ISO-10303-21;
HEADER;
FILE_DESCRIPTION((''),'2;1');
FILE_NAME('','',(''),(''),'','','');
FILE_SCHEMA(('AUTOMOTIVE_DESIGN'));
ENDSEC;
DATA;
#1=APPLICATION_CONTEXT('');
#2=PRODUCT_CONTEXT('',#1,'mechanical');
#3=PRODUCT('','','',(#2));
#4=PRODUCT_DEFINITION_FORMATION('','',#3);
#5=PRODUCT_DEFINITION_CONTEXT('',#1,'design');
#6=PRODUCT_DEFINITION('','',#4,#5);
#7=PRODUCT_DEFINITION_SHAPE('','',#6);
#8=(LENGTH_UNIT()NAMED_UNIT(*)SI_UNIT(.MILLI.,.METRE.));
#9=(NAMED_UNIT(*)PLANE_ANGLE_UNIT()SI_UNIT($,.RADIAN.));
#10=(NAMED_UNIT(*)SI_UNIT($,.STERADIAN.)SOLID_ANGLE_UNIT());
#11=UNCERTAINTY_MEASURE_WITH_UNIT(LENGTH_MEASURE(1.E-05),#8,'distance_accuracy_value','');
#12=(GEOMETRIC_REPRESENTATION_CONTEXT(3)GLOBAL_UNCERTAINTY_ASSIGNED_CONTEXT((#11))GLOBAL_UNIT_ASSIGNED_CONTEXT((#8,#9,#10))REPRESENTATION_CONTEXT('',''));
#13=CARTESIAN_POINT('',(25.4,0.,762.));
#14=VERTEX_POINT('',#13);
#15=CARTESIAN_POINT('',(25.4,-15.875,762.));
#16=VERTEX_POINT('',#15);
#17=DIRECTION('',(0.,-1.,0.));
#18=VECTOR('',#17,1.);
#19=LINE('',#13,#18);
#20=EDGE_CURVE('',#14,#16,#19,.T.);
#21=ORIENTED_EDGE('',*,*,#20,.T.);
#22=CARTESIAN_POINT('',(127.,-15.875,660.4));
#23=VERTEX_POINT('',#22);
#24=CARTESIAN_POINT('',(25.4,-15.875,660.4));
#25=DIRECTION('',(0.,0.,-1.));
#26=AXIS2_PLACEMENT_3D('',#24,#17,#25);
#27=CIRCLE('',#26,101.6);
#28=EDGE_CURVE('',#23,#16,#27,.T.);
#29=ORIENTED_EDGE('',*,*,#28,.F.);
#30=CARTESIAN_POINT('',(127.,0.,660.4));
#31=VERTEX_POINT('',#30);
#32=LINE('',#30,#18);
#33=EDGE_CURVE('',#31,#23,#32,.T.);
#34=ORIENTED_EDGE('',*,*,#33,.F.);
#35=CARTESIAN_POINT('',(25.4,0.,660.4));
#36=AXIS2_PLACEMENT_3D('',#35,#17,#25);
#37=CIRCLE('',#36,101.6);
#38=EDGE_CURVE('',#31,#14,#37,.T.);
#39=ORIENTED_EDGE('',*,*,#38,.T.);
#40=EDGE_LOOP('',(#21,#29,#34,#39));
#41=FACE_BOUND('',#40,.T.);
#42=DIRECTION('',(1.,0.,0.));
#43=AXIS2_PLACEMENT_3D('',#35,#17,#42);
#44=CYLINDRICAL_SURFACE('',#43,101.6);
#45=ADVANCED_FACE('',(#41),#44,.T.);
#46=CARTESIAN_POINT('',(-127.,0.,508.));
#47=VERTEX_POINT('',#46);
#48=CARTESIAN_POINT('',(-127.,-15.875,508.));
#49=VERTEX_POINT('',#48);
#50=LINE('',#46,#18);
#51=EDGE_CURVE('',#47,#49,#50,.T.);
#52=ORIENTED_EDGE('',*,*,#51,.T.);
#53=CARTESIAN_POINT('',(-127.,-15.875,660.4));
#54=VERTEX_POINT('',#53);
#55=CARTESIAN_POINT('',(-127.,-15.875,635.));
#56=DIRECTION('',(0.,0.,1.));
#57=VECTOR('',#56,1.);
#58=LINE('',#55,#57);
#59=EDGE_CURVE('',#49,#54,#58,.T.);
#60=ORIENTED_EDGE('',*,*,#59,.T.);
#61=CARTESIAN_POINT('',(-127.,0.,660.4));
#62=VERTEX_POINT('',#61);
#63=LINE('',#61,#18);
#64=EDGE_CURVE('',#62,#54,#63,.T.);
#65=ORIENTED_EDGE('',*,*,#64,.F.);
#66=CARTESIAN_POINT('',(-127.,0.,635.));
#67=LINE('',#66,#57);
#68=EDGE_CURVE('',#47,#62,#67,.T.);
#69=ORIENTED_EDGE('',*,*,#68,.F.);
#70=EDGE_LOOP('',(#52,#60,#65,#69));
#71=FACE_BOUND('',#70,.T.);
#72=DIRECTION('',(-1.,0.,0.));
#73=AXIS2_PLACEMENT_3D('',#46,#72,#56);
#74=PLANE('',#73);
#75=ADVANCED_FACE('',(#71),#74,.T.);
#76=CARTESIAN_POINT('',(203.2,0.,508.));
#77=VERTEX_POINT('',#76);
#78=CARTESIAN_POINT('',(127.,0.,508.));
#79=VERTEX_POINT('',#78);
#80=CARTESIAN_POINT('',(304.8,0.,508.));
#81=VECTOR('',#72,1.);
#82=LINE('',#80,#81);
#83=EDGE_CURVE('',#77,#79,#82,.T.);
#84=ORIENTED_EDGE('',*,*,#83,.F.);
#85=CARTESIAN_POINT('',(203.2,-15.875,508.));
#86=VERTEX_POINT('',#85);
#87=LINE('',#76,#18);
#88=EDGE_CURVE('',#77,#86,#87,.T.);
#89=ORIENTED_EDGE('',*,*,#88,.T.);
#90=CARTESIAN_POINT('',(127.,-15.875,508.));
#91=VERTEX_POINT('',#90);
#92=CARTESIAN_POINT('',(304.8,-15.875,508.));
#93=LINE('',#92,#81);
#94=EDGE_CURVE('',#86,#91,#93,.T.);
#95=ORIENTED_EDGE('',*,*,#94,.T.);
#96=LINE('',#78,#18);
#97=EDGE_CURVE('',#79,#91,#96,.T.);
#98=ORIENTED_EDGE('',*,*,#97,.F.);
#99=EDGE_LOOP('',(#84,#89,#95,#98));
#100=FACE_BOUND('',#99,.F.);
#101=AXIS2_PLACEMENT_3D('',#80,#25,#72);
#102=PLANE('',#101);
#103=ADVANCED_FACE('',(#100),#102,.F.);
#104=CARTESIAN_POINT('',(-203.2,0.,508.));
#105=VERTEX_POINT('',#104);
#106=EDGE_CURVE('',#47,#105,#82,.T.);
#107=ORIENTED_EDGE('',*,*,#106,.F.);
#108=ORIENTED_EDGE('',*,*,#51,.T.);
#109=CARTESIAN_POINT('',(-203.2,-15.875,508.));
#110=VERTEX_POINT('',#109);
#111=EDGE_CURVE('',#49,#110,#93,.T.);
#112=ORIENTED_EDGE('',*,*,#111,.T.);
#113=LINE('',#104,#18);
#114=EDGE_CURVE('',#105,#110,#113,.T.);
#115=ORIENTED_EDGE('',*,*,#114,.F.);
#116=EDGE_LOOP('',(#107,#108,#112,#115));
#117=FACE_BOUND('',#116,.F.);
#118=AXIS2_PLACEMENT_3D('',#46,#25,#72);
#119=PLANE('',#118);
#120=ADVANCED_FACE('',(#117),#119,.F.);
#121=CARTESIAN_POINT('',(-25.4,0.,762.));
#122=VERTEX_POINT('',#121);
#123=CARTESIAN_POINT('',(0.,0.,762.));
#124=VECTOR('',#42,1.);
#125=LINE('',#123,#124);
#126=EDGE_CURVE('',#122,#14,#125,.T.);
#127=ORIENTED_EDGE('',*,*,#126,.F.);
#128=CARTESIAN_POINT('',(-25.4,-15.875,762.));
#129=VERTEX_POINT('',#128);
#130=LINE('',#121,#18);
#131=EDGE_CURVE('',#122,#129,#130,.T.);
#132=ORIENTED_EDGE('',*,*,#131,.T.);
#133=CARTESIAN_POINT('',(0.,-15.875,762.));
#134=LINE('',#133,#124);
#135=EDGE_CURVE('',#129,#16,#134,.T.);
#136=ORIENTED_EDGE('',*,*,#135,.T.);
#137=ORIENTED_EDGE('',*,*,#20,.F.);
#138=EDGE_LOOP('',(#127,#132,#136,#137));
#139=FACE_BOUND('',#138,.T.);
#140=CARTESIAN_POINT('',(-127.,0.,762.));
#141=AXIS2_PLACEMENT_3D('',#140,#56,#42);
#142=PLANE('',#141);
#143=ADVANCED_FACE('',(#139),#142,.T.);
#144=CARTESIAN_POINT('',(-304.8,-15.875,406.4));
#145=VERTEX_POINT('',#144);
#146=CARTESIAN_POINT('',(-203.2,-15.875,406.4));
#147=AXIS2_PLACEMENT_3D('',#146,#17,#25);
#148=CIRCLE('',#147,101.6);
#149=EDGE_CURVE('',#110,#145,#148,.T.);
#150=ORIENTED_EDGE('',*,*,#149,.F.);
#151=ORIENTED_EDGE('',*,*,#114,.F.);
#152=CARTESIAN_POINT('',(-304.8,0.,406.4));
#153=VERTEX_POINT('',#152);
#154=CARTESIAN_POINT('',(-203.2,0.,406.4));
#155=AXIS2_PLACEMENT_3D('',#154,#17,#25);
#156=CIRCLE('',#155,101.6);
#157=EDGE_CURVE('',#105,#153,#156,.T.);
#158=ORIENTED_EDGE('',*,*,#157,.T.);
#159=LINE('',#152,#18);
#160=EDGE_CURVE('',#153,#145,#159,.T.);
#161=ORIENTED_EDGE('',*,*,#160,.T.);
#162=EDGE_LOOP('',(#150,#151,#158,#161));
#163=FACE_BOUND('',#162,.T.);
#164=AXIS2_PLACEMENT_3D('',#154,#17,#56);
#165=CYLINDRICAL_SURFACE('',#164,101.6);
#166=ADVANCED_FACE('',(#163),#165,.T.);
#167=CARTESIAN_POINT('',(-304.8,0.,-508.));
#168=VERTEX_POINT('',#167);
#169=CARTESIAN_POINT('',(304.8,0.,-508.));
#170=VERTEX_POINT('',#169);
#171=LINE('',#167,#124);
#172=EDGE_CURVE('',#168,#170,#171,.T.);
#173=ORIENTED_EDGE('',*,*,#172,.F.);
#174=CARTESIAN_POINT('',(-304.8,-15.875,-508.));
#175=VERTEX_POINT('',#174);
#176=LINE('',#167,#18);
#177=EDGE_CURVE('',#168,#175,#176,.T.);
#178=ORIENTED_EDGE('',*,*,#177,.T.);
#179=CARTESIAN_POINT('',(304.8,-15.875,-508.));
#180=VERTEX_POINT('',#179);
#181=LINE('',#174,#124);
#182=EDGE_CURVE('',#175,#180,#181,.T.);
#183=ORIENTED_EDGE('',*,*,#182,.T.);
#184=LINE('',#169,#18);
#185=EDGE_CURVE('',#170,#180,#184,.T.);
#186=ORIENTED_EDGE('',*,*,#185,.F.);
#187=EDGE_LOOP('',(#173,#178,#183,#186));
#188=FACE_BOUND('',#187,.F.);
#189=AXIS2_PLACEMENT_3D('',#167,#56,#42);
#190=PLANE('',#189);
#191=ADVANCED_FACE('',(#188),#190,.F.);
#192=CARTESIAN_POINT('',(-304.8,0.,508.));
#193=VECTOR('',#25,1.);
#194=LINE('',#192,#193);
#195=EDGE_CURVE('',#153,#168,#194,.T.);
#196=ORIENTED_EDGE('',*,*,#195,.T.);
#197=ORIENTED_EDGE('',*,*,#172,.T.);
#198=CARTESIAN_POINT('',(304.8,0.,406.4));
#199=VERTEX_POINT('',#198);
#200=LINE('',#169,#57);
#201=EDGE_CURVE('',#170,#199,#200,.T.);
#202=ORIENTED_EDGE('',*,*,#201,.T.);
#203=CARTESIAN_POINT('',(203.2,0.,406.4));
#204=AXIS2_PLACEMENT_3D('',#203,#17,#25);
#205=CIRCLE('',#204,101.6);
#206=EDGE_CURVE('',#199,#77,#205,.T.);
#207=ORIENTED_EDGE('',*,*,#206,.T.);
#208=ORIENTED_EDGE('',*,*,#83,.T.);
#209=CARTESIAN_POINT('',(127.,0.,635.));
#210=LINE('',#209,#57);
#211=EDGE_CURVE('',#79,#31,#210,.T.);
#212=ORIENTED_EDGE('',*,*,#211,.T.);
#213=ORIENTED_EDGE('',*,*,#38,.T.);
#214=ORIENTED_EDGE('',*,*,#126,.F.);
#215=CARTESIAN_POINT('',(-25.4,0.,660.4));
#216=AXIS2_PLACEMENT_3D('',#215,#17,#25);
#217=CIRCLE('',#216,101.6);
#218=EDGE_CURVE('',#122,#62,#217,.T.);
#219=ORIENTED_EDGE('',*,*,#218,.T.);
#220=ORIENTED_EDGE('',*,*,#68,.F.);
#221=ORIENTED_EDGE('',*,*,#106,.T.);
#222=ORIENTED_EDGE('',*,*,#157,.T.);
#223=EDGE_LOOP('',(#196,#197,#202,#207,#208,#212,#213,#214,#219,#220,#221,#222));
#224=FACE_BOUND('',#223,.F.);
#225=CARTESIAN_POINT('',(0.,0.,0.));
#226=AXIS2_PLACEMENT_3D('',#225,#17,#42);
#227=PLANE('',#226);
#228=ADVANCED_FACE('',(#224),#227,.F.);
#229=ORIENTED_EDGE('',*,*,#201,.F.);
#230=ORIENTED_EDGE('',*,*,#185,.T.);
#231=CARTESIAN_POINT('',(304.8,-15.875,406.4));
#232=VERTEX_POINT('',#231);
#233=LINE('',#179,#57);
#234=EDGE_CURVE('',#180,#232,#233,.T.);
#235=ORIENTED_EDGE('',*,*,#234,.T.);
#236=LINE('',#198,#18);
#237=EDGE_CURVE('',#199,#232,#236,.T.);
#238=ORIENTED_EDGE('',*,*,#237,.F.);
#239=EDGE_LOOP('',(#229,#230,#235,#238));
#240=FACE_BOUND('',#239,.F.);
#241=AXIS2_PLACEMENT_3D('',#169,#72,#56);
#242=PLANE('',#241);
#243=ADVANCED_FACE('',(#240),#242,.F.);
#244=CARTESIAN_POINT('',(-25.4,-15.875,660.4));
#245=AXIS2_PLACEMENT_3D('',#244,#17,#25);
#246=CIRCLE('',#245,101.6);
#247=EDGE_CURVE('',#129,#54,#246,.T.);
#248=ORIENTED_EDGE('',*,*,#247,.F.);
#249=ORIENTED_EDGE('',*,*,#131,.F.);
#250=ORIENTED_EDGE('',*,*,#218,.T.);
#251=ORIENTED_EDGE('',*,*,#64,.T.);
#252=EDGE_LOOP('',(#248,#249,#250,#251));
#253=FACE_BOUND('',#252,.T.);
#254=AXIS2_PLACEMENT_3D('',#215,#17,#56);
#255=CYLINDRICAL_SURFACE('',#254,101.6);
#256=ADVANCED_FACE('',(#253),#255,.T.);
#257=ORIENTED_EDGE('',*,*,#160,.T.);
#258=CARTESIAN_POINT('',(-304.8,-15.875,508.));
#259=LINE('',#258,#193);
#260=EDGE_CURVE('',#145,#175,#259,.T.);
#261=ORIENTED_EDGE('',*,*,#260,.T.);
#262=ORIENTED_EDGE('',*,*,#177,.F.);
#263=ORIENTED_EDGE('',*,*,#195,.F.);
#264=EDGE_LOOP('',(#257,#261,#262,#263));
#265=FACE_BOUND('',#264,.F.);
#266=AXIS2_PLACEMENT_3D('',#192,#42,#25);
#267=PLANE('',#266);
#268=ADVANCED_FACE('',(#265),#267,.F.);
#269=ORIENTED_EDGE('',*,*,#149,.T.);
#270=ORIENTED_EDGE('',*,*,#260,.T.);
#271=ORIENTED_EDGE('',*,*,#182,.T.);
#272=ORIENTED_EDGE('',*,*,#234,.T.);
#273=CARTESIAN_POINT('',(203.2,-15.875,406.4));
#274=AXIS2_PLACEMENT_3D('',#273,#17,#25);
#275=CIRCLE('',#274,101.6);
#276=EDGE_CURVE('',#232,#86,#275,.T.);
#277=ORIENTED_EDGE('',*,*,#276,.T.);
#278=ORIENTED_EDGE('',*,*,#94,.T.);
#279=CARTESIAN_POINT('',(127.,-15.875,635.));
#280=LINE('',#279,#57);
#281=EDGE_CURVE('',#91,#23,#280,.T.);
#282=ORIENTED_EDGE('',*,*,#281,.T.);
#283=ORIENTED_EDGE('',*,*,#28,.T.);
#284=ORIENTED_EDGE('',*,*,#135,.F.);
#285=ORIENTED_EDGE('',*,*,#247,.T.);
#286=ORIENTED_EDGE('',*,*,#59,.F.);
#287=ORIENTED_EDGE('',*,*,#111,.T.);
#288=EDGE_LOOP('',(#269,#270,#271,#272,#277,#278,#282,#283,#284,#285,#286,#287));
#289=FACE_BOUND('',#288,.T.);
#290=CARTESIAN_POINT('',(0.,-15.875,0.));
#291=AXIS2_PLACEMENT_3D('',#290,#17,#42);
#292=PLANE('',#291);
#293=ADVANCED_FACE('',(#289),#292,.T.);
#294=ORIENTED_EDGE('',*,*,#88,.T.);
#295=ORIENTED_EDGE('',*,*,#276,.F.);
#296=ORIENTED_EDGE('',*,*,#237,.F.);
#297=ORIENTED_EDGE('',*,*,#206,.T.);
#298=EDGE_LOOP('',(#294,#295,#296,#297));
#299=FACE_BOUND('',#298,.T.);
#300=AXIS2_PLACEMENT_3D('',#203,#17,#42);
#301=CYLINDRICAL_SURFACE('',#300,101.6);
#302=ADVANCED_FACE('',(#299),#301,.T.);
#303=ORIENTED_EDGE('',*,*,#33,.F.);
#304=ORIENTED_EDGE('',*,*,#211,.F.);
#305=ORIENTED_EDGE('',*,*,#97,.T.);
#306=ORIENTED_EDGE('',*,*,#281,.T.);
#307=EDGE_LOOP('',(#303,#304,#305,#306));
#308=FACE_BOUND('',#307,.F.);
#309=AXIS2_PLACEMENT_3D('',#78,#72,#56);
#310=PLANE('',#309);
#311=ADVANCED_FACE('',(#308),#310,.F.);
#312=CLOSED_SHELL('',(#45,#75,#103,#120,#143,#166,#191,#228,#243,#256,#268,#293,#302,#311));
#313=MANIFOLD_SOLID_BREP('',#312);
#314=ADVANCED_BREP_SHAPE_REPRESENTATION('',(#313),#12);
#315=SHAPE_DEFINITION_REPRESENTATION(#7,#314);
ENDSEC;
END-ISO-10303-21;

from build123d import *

# Parameters (mm, degrees)
F0_W     = 254
F0_H     = 254
F1_DEPTH = 15.875
F2_R     = 101.6


with BuildPart() as f1:
    # F0 (on Front) → F1 (new body)
    with BuildSketch(Plane.XZ):
        Polygon((304.8, -508), (304.8, 508), (127, 508), (-127, 508), (-304.8, 508), (-304.8, -508), align=None)
        with Locations((0, 635)):
            Rectangle(F0_W, F0_H)
    extrude(amount=F1_DEPTH)

    # F2
    f2_edges = [f1.edges().sort_by_distance(p)[0] for p in [
        (127, -7.9375, 762),
        (304.8, -7.9375, 508),
        (-304.8, -7.9375, 508),
        (-127, -7.9375, 762),
    ]]
    fillet(f2_edges, radius=F2_R)


solid = f1.part
